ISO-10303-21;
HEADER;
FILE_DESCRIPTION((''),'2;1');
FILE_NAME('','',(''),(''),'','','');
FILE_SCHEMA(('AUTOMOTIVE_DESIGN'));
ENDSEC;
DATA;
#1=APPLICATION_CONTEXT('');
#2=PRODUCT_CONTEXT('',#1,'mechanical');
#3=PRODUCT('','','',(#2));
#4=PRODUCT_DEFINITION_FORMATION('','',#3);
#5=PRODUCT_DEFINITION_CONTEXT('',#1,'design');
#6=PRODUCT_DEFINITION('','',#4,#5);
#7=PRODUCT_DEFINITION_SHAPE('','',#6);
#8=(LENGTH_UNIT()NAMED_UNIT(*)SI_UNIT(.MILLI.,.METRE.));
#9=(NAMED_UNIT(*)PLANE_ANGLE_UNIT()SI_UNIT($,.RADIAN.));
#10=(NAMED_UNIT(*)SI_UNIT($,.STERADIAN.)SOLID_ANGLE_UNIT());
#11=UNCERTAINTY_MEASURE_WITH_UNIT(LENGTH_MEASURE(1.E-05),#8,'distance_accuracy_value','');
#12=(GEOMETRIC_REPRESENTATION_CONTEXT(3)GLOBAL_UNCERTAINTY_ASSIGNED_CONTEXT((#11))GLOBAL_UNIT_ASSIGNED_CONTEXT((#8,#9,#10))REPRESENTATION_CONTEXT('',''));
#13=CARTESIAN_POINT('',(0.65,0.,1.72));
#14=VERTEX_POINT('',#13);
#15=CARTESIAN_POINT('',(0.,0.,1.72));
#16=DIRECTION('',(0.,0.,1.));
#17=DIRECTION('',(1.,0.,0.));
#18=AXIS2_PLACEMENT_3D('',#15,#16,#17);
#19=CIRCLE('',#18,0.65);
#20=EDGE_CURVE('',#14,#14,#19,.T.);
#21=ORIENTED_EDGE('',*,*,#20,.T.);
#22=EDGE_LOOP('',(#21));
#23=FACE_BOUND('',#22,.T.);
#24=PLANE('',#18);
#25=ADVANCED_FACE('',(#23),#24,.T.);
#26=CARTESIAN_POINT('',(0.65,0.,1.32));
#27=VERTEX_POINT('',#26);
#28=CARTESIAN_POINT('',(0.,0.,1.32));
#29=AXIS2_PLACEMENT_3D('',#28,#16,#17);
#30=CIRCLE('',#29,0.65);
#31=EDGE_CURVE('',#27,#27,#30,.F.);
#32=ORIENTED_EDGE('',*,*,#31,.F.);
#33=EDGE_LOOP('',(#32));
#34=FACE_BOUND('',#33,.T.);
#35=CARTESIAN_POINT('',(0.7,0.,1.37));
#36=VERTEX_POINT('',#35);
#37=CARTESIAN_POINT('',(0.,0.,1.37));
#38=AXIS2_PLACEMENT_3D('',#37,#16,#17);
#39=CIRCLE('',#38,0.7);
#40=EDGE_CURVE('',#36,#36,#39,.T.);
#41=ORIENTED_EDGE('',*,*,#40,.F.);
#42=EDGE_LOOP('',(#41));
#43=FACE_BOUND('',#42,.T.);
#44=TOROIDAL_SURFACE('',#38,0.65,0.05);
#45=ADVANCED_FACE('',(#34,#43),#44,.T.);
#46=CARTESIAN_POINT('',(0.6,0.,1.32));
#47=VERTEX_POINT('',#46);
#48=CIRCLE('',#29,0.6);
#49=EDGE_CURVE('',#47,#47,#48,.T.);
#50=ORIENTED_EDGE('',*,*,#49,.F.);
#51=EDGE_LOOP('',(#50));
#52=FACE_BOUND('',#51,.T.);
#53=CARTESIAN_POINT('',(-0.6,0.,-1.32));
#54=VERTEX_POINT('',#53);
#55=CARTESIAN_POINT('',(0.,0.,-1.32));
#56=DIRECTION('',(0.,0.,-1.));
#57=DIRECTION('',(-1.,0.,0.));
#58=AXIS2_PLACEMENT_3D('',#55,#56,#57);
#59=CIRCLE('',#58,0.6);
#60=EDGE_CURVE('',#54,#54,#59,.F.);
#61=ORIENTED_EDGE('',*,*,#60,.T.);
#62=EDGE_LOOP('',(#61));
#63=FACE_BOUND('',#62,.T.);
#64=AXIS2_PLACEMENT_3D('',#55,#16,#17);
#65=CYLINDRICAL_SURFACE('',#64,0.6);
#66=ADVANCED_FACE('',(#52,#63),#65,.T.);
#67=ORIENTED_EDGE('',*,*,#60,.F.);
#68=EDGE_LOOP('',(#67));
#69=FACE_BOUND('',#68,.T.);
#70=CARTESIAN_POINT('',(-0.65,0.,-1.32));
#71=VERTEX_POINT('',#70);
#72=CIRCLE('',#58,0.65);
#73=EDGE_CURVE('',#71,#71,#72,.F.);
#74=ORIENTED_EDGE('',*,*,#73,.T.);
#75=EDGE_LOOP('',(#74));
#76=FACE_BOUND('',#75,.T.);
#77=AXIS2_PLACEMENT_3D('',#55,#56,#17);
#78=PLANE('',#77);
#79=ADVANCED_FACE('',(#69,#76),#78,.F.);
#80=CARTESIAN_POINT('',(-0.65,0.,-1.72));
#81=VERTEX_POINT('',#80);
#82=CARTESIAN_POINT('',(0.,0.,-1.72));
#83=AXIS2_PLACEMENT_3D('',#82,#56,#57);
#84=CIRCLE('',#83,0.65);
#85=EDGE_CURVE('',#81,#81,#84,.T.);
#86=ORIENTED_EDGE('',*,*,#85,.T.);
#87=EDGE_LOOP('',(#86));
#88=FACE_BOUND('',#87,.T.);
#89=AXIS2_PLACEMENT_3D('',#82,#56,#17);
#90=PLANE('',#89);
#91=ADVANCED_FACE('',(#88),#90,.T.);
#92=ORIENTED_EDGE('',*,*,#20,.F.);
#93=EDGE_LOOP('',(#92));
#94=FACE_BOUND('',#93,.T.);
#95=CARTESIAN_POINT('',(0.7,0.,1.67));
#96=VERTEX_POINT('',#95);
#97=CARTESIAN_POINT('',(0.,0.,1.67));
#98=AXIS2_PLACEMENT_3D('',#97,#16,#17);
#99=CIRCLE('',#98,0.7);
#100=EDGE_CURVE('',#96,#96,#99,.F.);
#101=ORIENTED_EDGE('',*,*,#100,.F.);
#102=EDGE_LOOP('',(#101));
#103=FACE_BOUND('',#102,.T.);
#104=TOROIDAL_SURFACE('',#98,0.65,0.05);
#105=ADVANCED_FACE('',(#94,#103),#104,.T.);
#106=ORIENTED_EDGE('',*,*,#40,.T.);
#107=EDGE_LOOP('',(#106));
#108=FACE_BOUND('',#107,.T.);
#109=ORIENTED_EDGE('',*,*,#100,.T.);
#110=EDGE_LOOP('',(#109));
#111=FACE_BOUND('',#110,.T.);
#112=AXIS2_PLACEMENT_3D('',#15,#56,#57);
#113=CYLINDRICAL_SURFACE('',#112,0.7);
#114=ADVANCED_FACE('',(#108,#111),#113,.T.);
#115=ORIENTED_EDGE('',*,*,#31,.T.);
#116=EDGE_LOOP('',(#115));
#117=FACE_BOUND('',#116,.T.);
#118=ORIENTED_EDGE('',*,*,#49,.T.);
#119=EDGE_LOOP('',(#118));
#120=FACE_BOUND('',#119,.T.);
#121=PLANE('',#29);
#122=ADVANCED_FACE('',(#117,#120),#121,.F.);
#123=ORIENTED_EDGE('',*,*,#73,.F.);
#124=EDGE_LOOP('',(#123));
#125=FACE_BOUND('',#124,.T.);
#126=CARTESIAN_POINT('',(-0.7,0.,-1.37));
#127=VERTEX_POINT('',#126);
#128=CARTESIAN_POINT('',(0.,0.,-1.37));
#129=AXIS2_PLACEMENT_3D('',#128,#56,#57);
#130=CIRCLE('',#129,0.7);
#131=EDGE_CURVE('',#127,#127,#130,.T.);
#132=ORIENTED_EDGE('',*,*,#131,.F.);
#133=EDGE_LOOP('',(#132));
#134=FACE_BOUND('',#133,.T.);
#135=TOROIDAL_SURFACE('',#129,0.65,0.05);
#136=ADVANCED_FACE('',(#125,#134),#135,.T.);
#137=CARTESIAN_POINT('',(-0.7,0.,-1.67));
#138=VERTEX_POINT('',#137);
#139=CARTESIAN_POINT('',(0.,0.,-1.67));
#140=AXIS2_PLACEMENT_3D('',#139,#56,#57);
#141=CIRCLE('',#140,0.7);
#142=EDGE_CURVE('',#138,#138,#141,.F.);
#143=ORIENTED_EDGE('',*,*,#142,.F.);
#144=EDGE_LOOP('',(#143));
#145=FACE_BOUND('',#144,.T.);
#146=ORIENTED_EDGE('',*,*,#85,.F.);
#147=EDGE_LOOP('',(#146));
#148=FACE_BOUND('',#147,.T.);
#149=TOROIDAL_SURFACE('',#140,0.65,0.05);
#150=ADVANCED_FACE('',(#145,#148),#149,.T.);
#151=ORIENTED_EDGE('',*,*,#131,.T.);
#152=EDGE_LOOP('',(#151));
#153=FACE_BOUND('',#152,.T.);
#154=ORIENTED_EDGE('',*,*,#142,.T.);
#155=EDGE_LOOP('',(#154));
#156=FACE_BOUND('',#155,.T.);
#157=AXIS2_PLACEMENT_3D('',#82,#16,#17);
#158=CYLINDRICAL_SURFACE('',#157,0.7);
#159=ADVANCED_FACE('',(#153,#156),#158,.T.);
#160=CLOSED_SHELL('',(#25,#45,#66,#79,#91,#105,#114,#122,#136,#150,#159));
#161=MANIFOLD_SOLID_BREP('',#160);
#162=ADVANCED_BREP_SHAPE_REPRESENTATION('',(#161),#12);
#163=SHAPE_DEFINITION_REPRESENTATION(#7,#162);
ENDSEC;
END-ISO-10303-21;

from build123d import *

# Parameters (mm, degrees)
EXTRUS_O1_DEPTH        = 1.32
EXTRUS_O1_DEPTH_BACK   = 1.32
ESBO_O1_R              = 0.6
ESBO_O2_R              = 0.7
EXTRUS_O2_DEPTH        = 0.4
FILETE1_R              = 0.05
FILETE1_OF_ESPELHAR1_R = 0.05


with BuildPart() as part:
    # Esboço1 → Extrusão1 (new, two sides: drawn at the far end of the back side and taken through both)
    with BuildSketch(Plane.XY.offset(-EXTRUS_O1_DEPTH_BACK)):
        Circle(ESBO_O1_R)
    extrude(amount=EXTRUS_O1_DEPTH + EXTRUS_O1_DEPTH_BACK)

    # Esboço2 → Extrusão2 (add)
    with BuildSketch(Plane.XY.offset(1.32)):
        Circle(ESBO_O2_R)
    extrus_o2 = extrude(amount=EXTRUS_O2_DEPTH)

    # Filete1
    filete1_edges = [part.edges().sort_by_distance(p)[0] for p in [
        (-0.7, 0, 1.32),
        (-0.7, 0, 1.72),
    ]]
    fillet(filete1_edges, radius=FILETE1_R)

    # Espelhar1: Extrusão2 across plane
    add(extrus_o2.mirror(Plane.XY))

    # Filete1 of Espelhar1
    filete1_of_espelhar1_edges = [part.edges().sort_by_distance(p)[0] for p in [
        (-0.7, 0, -1.32),
        (-0.7, 0, -1.72),
    ]]
    fillet(filete1_of_espelhar1_edges, radius=FILETE1_OF_ESPELHAR1_R)


solid = part.part
